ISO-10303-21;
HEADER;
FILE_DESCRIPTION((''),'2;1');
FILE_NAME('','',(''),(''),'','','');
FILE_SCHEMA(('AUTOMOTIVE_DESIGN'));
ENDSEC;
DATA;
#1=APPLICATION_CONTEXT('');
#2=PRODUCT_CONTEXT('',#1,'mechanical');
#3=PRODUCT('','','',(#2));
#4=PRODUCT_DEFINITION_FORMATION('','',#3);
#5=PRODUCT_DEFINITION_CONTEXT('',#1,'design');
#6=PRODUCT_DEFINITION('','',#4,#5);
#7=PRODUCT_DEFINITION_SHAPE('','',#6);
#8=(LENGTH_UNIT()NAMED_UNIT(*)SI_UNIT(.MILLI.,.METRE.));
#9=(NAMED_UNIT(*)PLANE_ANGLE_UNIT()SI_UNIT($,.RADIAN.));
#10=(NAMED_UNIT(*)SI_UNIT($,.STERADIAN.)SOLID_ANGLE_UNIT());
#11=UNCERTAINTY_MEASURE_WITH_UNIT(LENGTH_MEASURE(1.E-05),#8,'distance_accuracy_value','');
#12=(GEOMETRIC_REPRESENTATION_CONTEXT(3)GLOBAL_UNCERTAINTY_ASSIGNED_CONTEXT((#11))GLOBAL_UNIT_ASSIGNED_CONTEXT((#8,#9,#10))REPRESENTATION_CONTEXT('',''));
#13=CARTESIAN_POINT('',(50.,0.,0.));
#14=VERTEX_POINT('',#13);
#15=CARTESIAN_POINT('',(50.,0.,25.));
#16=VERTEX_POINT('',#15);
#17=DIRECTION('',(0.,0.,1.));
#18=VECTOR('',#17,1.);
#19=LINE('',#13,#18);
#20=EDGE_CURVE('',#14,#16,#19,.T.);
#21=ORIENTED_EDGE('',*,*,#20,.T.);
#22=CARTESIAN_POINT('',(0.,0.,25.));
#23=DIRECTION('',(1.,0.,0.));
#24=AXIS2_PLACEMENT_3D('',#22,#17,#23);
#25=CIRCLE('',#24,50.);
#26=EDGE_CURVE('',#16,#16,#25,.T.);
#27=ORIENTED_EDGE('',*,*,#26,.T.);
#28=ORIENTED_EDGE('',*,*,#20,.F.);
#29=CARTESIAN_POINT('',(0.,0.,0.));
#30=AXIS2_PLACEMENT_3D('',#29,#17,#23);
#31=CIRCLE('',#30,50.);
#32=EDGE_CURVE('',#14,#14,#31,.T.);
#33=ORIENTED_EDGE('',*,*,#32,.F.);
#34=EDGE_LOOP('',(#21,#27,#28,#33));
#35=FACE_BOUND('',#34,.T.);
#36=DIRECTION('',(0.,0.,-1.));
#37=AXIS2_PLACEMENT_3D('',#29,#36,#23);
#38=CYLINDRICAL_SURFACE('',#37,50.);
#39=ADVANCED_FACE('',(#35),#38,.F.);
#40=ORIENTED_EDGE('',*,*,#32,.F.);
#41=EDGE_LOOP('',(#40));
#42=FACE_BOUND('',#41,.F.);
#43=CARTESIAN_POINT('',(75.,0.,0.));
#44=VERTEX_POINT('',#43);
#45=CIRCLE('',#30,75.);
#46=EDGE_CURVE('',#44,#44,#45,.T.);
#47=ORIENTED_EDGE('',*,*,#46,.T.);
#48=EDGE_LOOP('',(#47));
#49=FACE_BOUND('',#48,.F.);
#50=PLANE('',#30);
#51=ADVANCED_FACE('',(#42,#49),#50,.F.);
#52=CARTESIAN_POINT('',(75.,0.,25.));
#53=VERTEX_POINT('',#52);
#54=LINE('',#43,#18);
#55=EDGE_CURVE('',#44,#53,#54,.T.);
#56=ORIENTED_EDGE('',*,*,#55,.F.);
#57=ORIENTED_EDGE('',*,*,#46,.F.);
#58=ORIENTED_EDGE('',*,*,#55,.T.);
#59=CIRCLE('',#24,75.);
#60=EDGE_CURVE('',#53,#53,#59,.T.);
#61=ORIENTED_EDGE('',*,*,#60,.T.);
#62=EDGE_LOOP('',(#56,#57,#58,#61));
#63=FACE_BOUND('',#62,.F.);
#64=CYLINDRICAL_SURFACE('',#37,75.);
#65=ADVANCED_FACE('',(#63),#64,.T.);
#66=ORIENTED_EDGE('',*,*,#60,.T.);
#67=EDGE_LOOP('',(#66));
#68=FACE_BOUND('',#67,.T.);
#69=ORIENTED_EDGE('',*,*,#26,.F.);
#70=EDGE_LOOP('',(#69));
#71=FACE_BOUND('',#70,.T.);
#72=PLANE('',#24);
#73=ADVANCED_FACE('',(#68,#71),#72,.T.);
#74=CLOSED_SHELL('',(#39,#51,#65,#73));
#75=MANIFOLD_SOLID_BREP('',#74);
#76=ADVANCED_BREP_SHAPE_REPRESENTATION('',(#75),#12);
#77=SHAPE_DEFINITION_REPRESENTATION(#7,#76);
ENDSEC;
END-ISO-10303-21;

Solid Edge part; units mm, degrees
sketch "Sketch1" plane through (0, 0, 0) normal (0, 0, 1) x (1, 0, 0)
  circle A0 centre (0, 0) radius 75
  circle A1 centre (0, 0) radius 50
  dimension "D1" = 100
  dimension "D2" = 150
extrude "Protrusion1" add sketch "Sketch1" along normal blind 25
properties material "Steel"
